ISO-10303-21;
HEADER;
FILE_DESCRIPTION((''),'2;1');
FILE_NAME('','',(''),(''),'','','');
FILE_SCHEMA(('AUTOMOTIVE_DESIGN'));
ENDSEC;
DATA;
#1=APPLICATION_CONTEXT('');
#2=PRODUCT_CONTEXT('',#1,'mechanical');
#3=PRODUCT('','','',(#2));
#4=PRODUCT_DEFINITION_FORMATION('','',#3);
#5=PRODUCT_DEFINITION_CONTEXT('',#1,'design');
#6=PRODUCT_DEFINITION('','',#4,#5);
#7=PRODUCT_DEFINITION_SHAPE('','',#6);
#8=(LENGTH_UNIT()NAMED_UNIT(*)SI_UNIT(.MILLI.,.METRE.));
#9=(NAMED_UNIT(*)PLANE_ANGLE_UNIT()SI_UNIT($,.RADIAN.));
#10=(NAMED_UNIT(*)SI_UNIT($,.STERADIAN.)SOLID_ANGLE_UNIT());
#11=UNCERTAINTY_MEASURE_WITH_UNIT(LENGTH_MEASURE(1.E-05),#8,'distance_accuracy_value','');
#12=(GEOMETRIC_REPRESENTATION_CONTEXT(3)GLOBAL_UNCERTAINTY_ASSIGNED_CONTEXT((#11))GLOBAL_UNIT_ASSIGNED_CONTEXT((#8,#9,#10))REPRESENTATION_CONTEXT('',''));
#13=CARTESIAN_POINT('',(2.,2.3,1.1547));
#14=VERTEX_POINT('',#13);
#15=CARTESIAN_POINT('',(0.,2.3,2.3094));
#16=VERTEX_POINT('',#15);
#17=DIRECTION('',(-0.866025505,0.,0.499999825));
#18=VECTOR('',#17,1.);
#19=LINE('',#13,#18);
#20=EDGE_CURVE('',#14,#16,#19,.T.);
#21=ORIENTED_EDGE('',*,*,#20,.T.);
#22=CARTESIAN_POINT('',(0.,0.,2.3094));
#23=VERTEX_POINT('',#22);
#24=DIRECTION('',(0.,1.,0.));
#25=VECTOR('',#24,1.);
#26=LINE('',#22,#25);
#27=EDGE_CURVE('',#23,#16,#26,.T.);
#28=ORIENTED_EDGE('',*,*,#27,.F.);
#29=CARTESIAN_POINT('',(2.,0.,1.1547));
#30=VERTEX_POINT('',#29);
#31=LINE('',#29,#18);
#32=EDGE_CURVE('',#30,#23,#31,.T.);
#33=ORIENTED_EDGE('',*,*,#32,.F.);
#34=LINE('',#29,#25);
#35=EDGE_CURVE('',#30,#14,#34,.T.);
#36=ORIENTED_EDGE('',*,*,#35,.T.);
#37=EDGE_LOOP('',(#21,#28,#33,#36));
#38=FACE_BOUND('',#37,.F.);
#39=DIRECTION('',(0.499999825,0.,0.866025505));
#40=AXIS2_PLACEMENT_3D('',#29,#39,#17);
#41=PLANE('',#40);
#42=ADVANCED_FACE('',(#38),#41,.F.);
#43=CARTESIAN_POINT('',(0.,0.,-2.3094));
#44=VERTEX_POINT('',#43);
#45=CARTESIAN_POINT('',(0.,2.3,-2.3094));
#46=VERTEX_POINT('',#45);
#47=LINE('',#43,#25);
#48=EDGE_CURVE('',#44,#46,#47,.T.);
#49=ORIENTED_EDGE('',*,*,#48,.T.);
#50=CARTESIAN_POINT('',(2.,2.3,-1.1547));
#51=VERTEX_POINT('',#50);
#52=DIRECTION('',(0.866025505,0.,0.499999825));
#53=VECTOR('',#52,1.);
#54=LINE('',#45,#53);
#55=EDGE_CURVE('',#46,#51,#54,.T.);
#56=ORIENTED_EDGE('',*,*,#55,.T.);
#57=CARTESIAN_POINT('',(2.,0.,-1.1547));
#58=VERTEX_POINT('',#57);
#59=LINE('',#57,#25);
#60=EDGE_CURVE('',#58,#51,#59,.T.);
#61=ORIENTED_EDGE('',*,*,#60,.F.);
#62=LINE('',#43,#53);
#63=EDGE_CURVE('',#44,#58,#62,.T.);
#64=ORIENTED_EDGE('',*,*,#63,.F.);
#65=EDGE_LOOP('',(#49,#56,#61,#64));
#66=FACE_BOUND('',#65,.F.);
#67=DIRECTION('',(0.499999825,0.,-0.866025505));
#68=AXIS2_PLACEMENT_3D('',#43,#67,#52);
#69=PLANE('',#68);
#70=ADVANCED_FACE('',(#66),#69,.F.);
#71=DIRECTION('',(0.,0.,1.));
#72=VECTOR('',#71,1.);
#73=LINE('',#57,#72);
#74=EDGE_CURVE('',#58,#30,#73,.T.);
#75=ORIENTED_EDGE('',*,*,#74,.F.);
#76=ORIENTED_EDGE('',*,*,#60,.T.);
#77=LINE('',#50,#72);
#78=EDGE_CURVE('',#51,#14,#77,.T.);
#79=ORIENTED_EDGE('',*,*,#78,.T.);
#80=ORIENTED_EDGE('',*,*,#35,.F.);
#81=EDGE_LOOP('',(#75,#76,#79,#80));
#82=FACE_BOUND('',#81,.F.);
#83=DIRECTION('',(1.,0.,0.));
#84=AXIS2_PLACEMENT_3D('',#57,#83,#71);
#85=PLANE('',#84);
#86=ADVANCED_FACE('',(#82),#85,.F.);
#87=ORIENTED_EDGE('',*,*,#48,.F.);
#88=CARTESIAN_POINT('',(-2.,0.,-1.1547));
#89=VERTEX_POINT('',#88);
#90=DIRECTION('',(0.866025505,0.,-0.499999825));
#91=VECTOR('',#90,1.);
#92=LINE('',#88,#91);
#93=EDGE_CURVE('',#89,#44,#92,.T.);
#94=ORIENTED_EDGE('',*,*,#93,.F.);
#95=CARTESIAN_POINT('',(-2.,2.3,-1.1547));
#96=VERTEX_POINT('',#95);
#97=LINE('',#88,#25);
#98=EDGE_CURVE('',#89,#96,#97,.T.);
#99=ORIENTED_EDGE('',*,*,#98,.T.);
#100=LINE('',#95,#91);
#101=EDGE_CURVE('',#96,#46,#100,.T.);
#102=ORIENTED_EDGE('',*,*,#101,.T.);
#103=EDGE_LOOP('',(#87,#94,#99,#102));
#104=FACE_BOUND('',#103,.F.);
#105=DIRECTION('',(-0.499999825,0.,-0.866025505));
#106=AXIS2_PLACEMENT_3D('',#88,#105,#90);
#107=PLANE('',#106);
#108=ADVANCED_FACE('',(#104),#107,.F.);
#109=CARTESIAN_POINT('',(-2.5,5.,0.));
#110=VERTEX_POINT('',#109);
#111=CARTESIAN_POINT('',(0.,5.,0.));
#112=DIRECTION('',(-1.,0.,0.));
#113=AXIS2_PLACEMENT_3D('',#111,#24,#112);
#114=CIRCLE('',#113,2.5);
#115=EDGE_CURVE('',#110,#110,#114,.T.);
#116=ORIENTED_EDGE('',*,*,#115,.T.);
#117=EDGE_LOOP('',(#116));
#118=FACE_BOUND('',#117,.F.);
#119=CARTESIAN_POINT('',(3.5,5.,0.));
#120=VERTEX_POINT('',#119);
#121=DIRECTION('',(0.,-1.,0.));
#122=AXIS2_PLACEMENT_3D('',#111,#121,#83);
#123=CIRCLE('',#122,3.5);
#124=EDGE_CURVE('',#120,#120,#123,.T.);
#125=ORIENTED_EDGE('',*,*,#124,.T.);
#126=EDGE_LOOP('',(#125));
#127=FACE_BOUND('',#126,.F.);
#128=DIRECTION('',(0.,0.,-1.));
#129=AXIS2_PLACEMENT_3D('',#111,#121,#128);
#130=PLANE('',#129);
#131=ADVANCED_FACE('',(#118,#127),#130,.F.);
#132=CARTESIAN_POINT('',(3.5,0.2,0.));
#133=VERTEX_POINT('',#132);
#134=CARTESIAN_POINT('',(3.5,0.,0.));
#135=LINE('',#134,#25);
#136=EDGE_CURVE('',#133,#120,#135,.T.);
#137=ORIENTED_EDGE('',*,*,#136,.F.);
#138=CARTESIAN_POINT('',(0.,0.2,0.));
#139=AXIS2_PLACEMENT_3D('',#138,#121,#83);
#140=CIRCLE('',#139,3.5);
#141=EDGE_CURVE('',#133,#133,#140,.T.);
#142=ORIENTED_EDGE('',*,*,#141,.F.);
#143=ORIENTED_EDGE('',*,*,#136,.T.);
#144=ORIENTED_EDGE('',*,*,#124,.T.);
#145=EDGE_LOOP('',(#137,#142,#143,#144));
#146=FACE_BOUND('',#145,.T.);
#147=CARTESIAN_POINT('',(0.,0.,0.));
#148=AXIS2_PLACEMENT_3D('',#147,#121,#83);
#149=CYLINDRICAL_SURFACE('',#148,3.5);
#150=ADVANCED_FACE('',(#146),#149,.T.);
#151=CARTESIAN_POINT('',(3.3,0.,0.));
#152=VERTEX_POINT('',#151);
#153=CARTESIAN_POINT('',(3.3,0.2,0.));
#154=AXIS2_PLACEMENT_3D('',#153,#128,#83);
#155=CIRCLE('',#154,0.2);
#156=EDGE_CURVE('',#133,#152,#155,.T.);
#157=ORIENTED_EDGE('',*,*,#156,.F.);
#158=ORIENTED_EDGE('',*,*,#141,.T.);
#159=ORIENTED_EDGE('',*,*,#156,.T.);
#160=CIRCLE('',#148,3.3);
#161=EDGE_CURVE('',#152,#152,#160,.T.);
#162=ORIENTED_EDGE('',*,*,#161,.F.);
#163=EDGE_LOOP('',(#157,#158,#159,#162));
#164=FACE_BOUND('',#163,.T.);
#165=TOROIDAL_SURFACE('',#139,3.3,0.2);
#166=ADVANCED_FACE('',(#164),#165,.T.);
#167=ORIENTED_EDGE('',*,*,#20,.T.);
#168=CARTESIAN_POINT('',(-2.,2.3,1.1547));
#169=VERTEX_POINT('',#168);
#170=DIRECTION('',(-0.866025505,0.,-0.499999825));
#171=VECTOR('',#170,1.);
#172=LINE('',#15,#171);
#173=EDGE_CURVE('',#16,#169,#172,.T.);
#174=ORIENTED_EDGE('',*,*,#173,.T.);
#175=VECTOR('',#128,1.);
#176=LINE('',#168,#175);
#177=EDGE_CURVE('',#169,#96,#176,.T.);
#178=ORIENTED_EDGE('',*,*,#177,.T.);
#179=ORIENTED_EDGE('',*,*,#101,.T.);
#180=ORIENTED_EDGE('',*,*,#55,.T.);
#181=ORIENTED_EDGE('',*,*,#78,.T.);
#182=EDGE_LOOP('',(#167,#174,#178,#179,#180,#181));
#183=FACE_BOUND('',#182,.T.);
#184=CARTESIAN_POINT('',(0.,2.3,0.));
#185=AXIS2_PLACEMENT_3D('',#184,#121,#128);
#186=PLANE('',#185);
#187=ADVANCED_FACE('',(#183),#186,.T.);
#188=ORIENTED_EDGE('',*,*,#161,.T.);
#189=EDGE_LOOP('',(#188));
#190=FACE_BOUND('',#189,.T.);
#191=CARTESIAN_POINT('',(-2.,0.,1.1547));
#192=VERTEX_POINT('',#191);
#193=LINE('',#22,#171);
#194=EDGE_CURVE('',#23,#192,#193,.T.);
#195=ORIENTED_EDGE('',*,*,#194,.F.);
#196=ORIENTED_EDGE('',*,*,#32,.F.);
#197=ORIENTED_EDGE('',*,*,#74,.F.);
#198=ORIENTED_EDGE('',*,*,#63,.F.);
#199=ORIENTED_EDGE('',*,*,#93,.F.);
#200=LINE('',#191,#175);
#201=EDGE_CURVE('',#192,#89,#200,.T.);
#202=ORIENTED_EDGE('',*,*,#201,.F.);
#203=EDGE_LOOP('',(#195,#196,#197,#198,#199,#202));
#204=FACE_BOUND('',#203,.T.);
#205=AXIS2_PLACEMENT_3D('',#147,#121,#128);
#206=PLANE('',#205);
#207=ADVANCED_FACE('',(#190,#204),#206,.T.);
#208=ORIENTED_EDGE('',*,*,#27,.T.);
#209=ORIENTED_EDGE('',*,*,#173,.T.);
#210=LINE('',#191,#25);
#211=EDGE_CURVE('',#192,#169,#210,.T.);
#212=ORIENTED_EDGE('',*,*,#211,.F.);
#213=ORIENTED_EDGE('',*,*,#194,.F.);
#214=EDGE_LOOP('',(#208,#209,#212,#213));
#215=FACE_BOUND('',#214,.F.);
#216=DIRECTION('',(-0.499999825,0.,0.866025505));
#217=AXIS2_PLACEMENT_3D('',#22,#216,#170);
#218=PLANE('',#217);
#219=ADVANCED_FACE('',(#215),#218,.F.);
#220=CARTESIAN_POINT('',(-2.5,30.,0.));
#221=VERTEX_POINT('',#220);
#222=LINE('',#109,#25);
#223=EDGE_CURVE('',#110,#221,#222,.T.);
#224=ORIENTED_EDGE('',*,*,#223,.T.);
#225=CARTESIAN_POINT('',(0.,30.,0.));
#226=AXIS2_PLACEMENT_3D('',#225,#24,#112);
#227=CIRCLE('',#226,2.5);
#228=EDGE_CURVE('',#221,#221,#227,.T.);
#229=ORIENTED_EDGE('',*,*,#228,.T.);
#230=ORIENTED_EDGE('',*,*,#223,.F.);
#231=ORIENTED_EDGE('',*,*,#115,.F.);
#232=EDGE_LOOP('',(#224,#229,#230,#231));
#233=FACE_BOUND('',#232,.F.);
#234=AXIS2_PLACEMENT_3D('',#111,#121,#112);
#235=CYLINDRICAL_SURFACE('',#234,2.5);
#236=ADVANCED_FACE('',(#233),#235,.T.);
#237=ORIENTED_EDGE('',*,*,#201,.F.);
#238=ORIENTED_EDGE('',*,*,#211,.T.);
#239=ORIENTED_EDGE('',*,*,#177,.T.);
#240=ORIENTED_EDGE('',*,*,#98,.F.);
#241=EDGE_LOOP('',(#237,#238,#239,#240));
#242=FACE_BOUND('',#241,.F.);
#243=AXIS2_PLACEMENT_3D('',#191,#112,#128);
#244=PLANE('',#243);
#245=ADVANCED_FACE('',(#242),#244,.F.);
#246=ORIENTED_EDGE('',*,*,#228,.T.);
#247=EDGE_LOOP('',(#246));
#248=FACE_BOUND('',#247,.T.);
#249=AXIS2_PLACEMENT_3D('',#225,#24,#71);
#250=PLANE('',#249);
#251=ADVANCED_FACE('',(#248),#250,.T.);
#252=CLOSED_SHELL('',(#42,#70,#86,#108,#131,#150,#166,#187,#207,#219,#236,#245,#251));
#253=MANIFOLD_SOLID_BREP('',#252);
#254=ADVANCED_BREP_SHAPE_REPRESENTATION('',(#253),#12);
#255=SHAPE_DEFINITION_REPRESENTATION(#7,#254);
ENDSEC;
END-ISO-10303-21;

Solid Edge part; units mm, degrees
sketch "Sketch1" plane through (0, 0, 0) normal (0, -1, 0) x (1, 0, 0)
  circle A0 centre (0, 0) radius 3.5
extrude "Protrusion1" add sketch "Sketch1" against normal blind 5
sketch "Sketch2" plane through (0, 5, 0) normal (0, 1, 0) x (-1, 0, 0)
  circle A0 centre (0, 0) radius 2.5
extrude "ExtrudedProtrusion_2" add sketch "Sketch2" along normal blind 25
fillet "Round_1" radius 0.2 1 edges at (-3.5, 0, 0)
sketch "Sketch3" plane through (0, 0, 0) normal (0, -1, 0) x (1, 0, 0)
  line L0 (0, 2.3094) -> (-2, 1.1547)
  line L1 (-2, 1.1547) -> (-2, -1.1547)
  line L2 (-2, -1.1547) -> (0, -2.3094)
  line L3 (0, -2.3094) -> (2, -1.1547)
  line L4 (2, -1.1547) -> (2, 1.1547)
  line L5 (2, 1.1547) -> (0, 2.3094)
extrude "ExtrudedCutout_2" cut sketch "Sketch3" against normal blind 2.3
properties material "Steel"
